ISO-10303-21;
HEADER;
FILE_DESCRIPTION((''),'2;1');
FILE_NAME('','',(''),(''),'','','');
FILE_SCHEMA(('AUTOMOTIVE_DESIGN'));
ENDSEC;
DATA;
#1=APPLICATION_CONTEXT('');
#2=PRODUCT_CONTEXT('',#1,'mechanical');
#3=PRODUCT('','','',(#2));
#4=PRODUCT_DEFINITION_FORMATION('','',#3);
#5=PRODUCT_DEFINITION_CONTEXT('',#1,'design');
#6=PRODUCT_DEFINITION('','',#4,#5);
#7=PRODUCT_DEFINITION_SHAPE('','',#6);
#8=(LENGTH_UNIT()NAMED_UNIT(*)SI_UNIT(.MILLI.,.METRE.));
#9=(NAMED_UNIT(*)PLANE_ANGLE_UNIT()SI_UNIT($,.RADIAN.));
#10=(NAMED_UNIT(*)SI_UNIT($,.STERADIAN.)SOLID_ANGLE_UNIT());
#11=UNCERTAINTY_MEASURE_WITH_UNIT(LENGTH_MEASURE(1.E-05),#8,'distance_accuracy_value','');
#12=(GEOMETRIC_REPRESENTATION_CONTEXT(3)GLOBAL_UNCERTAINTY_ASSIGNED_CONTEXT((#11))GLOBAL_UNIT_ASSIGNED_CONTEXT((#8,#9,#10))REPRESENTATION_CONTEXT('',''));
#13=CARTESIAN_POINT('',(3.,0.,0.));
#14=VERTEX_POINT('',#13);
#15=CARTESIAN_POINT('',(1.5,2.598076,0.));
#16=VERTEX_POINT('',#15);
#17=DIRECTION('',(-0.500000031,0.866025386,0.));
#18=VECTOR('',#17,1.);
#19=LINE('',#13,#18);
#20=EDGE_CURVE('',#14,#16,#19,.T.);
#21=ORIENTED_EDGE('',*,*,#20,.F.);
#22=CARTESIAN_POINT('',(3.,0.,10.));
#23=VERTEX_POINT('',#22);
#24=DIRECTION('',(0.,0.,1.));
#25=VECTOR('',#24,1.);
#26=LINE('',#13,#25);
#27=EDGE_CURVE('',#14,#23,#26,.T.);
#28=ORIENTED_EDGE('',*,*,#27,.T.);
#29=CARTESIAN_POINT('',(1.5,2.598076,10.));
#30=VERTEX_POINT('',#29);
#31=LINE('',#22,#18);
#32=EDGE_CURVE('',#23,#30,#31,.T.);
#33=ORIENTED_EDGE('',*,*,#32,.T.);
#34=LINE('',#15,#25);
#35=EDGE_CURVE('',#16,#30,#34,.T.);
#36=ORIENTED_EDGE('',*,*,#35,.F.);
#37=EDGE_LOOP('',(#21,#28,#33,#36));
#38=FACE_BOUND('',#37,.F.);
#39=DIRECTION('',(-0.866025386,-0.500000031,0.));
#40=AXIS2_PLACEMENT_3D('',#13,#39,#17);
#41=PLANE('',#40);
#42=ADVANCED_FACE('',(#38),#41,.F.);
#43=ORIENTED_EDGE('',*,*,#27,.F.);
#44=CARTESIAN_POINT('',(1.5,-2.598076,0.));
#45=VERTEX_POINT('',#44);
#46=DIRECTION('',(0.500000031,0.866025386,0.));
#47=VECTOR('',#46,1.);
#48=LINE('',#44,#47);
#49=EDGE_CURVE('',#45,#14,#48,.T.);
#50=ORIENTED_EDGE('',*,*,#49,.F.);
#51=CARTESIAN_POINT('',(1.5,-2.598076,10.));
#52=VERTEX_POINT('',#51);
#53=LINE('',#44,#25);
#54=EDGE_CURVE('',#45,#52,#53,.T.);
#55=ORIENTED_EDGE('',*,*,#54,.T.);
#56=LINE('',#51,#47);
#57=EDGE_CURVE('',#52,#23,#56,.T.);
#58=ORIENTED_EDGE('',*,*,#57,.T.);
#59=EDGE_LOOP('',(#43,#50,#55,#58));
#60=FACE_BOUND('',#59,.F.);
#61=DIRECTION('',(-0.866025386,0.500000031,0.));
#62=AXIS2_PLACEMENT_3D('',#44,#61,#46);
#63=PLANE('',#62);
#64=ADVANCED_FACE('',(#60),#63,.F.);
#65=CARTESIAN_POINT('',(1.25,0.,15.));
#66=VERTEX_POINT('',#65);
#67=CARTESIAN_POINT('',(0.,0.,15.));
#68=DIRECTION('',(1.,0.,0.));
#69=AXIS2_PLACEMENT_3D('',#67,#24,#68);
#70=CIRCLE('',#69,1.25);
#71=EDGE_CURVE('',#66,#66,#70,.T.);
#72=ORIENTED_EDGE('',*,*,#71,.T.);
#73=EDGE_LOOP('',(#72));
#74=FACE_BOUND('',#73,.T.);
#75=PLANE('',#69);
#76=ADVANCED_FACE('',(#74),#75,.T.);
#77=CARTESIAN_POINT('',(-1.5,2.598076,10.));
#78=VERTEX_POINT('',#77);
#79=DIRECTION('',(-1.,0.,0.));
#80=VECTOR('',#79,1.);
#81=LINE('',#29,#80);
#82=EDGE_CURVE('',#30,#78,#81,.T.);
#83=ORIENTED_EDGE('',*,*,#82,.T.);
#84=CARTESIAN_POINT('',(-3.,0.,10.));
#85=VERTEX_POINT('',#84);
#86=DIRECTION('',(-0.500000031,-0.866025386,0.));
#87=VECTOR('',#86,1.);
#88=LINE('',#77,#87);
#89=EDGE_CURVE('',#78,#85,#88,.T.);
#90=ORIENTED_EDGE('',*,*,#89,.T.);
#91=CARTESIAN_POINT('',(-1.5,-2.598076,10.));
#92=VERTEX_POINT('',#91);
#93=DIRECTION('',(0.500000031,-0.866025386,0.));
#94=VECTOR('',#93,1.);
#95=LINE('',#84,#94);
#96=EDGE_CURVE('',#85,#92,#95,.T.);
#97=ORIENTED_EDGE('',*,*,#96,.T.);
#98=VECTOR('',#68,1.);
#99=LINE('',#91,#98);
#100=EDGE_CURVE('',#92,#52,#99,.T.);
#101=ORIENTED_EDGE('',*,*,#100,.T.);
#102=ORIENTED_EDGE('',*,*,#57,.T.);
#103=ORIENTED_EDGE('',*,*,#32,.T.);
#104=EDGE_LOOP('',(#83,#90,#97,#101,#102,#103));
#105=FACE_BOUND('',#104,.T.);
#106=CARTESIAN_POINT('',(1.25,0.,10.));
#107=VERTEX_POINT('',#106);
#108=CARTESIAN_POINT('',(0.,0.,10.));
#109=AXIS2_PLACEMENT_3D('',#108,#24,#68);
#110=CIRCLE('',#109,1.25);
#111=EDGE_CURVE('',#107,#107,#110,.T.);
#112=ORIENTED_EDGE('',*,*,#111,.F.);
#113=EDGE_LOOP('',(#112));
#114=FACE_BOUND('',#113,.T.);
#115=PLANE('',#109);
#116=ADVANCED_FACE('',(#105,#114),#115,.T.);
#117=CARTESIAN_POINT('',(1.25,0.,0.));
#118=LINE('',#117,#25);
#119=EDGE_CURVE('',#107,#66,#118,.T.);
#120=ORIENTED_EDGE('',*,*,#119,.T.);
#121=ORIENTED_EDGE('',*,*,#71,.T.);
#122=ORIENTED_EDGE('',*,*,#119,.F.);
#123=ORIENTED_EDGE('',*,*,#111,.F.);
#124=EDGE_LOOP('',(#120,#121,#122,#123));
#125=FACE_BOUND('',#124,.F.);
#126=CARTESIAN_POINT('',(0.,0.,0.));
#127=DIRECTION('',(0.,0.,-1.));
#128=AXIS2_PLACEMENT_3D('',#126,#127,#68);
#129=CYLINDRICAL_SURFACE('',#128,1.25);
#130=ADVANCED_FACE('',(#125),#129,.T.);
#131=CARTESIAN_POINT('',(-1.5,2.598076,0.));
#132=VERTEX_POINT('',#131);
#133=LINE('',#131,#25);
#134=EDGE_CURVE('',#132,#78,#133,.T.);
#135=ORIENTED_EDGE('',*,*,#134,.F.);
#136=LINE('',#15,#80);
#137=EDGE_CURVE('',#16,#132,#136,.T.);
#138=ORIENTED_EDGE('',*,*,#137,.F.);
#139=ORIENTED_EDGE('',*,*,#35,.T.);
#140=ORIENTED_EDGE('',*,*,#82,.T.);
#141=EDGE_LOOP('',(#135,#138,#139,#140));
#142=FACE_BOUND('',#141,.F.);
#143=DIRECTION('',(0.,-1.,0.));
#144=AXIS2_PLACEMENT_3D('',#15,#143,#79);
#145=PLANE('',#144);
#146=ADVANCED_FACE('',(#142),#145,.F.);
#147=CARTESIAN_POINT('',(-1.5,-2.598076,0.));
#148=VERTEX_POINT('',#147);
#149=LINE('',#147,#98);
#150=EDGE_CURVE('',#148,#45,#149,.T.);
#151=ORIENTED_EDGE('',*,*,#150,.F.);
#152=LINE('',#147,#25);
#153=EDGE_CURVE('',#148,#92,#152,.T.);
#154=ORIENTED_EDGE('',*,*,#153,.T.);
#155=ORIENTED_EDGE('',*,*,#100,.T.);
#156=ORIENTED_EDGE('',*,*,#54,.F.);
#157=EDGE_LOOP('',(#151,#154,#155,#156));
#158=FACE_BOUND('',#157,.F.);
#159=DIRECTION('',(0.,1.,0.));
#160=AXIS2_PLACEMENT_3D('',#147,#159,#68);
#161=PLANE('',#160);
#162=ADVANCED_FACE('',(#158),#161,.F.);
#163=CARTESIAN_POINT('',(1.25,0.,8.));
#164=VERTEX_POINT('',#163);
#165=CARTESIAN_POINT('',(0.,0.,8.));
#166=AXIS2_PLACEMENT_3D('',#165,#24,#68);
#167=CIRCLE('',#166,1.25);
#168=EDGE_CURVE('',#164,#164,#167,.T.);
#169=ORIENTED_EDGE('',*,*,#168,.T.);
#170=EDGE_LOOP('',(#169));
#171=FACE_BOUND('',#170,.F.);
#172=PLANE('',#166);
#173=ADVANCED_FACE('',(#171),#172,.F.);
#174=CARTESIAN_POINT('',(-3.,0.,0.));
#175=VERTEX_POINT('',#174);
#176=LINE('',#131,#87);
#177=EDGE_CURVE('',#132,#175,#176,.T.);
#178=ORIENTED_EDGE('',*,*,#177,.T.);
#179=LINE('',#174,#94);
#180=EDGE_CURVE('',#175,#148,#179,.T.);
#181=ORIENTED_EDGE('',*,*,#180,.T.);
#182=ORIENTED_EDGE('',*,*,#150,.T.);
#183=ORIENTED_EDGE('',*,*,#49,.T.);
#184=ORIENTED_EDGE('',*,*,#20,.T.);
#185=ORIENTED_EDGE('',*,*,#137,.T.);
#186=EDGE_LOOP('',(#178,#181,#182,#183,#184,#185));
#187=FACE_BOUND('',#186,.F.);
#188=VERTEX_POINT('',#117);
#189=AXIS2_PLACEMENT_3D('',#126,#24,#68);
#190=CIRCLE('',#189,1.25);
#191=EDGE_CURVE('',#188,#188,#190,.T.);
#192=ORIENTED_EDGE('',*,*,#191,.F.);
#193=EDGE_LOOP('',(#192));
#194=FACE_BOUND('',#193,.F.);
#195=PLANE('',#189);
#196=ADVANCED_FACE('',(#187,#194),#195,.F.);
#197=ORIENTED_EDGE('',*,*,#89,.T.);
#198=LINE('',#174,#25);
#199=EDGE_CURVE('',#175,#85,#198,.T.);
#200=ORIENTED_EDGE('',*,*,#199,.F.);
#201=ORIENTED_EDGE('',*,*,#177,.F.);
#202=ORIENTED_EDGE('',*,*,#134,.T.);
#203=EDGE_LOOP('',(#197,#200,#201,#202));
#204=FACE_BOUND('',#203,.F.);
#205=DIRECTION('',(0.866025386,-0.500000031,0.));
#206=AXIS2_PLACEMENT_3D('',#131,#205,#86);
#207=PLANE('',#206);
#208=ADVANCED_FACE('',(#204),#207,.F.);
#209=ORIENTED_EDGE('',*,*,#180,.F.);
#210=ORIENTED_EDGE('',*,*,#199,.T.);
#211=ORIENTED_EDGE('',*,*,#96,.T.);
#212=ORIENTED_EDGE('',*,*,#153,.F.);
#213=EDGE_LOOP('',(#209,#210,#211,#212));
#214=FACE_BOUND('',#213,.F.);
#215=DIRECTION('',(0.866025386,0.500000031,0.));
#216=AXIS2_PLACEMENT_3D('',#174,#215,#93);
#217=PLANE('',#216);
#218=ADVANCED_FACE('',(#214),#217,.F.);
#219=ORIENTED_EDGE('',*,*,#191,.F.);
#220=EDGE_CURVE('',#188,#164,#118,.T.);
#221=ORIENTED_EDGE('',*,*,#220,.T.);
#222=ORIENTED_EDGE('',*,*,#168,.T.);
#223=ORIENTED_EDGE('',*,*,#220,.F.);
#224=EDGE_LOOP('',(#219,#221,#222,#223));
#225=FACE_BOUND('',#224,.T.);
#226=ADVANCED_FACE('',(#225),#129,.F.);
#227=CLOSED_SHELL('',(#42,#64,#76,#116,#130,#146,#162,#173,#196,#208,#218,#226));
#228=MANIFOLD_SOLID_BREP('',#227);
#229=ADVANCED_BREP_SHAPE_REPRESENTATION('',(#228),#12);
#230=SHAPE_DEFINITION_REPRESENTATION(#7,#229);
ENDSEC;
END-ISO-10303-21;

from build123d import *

# Parameters (mm, degrees)
F0_R     = 1.25
F1_DEPTH = 10
F2_DEPTH = 15
F3_DEPTH = 8


with BuildPart() as f1:
    # F0 (on Top) → F1 (new body)
    with BuildSketch(Plane.XY):
        Polygon((1.5, 2.598076), (-1.5, 2.598076), (-3, 0), (-1.5, -2.598076), (1.5, -2.598076), (3, 0), align=None)
        Circle(F0_R, mode=Mode.SUBTRACT)
    extrude(amount=F1_DEPTH)

    # F0 (on Top) → F2 (join)
    with BuildSketch(Plane.XY):
        Circle(F0_R)
    extrude(amount=F2_DEPTH)

    # F0 (on Top) → F3 (cut)
    with BuildSketch(Plane.XY):
        Circle(F0_R)
    extrude(amount=F3_DEPTH, mode=Mode.SUBTRACT)


solid = f1.part
